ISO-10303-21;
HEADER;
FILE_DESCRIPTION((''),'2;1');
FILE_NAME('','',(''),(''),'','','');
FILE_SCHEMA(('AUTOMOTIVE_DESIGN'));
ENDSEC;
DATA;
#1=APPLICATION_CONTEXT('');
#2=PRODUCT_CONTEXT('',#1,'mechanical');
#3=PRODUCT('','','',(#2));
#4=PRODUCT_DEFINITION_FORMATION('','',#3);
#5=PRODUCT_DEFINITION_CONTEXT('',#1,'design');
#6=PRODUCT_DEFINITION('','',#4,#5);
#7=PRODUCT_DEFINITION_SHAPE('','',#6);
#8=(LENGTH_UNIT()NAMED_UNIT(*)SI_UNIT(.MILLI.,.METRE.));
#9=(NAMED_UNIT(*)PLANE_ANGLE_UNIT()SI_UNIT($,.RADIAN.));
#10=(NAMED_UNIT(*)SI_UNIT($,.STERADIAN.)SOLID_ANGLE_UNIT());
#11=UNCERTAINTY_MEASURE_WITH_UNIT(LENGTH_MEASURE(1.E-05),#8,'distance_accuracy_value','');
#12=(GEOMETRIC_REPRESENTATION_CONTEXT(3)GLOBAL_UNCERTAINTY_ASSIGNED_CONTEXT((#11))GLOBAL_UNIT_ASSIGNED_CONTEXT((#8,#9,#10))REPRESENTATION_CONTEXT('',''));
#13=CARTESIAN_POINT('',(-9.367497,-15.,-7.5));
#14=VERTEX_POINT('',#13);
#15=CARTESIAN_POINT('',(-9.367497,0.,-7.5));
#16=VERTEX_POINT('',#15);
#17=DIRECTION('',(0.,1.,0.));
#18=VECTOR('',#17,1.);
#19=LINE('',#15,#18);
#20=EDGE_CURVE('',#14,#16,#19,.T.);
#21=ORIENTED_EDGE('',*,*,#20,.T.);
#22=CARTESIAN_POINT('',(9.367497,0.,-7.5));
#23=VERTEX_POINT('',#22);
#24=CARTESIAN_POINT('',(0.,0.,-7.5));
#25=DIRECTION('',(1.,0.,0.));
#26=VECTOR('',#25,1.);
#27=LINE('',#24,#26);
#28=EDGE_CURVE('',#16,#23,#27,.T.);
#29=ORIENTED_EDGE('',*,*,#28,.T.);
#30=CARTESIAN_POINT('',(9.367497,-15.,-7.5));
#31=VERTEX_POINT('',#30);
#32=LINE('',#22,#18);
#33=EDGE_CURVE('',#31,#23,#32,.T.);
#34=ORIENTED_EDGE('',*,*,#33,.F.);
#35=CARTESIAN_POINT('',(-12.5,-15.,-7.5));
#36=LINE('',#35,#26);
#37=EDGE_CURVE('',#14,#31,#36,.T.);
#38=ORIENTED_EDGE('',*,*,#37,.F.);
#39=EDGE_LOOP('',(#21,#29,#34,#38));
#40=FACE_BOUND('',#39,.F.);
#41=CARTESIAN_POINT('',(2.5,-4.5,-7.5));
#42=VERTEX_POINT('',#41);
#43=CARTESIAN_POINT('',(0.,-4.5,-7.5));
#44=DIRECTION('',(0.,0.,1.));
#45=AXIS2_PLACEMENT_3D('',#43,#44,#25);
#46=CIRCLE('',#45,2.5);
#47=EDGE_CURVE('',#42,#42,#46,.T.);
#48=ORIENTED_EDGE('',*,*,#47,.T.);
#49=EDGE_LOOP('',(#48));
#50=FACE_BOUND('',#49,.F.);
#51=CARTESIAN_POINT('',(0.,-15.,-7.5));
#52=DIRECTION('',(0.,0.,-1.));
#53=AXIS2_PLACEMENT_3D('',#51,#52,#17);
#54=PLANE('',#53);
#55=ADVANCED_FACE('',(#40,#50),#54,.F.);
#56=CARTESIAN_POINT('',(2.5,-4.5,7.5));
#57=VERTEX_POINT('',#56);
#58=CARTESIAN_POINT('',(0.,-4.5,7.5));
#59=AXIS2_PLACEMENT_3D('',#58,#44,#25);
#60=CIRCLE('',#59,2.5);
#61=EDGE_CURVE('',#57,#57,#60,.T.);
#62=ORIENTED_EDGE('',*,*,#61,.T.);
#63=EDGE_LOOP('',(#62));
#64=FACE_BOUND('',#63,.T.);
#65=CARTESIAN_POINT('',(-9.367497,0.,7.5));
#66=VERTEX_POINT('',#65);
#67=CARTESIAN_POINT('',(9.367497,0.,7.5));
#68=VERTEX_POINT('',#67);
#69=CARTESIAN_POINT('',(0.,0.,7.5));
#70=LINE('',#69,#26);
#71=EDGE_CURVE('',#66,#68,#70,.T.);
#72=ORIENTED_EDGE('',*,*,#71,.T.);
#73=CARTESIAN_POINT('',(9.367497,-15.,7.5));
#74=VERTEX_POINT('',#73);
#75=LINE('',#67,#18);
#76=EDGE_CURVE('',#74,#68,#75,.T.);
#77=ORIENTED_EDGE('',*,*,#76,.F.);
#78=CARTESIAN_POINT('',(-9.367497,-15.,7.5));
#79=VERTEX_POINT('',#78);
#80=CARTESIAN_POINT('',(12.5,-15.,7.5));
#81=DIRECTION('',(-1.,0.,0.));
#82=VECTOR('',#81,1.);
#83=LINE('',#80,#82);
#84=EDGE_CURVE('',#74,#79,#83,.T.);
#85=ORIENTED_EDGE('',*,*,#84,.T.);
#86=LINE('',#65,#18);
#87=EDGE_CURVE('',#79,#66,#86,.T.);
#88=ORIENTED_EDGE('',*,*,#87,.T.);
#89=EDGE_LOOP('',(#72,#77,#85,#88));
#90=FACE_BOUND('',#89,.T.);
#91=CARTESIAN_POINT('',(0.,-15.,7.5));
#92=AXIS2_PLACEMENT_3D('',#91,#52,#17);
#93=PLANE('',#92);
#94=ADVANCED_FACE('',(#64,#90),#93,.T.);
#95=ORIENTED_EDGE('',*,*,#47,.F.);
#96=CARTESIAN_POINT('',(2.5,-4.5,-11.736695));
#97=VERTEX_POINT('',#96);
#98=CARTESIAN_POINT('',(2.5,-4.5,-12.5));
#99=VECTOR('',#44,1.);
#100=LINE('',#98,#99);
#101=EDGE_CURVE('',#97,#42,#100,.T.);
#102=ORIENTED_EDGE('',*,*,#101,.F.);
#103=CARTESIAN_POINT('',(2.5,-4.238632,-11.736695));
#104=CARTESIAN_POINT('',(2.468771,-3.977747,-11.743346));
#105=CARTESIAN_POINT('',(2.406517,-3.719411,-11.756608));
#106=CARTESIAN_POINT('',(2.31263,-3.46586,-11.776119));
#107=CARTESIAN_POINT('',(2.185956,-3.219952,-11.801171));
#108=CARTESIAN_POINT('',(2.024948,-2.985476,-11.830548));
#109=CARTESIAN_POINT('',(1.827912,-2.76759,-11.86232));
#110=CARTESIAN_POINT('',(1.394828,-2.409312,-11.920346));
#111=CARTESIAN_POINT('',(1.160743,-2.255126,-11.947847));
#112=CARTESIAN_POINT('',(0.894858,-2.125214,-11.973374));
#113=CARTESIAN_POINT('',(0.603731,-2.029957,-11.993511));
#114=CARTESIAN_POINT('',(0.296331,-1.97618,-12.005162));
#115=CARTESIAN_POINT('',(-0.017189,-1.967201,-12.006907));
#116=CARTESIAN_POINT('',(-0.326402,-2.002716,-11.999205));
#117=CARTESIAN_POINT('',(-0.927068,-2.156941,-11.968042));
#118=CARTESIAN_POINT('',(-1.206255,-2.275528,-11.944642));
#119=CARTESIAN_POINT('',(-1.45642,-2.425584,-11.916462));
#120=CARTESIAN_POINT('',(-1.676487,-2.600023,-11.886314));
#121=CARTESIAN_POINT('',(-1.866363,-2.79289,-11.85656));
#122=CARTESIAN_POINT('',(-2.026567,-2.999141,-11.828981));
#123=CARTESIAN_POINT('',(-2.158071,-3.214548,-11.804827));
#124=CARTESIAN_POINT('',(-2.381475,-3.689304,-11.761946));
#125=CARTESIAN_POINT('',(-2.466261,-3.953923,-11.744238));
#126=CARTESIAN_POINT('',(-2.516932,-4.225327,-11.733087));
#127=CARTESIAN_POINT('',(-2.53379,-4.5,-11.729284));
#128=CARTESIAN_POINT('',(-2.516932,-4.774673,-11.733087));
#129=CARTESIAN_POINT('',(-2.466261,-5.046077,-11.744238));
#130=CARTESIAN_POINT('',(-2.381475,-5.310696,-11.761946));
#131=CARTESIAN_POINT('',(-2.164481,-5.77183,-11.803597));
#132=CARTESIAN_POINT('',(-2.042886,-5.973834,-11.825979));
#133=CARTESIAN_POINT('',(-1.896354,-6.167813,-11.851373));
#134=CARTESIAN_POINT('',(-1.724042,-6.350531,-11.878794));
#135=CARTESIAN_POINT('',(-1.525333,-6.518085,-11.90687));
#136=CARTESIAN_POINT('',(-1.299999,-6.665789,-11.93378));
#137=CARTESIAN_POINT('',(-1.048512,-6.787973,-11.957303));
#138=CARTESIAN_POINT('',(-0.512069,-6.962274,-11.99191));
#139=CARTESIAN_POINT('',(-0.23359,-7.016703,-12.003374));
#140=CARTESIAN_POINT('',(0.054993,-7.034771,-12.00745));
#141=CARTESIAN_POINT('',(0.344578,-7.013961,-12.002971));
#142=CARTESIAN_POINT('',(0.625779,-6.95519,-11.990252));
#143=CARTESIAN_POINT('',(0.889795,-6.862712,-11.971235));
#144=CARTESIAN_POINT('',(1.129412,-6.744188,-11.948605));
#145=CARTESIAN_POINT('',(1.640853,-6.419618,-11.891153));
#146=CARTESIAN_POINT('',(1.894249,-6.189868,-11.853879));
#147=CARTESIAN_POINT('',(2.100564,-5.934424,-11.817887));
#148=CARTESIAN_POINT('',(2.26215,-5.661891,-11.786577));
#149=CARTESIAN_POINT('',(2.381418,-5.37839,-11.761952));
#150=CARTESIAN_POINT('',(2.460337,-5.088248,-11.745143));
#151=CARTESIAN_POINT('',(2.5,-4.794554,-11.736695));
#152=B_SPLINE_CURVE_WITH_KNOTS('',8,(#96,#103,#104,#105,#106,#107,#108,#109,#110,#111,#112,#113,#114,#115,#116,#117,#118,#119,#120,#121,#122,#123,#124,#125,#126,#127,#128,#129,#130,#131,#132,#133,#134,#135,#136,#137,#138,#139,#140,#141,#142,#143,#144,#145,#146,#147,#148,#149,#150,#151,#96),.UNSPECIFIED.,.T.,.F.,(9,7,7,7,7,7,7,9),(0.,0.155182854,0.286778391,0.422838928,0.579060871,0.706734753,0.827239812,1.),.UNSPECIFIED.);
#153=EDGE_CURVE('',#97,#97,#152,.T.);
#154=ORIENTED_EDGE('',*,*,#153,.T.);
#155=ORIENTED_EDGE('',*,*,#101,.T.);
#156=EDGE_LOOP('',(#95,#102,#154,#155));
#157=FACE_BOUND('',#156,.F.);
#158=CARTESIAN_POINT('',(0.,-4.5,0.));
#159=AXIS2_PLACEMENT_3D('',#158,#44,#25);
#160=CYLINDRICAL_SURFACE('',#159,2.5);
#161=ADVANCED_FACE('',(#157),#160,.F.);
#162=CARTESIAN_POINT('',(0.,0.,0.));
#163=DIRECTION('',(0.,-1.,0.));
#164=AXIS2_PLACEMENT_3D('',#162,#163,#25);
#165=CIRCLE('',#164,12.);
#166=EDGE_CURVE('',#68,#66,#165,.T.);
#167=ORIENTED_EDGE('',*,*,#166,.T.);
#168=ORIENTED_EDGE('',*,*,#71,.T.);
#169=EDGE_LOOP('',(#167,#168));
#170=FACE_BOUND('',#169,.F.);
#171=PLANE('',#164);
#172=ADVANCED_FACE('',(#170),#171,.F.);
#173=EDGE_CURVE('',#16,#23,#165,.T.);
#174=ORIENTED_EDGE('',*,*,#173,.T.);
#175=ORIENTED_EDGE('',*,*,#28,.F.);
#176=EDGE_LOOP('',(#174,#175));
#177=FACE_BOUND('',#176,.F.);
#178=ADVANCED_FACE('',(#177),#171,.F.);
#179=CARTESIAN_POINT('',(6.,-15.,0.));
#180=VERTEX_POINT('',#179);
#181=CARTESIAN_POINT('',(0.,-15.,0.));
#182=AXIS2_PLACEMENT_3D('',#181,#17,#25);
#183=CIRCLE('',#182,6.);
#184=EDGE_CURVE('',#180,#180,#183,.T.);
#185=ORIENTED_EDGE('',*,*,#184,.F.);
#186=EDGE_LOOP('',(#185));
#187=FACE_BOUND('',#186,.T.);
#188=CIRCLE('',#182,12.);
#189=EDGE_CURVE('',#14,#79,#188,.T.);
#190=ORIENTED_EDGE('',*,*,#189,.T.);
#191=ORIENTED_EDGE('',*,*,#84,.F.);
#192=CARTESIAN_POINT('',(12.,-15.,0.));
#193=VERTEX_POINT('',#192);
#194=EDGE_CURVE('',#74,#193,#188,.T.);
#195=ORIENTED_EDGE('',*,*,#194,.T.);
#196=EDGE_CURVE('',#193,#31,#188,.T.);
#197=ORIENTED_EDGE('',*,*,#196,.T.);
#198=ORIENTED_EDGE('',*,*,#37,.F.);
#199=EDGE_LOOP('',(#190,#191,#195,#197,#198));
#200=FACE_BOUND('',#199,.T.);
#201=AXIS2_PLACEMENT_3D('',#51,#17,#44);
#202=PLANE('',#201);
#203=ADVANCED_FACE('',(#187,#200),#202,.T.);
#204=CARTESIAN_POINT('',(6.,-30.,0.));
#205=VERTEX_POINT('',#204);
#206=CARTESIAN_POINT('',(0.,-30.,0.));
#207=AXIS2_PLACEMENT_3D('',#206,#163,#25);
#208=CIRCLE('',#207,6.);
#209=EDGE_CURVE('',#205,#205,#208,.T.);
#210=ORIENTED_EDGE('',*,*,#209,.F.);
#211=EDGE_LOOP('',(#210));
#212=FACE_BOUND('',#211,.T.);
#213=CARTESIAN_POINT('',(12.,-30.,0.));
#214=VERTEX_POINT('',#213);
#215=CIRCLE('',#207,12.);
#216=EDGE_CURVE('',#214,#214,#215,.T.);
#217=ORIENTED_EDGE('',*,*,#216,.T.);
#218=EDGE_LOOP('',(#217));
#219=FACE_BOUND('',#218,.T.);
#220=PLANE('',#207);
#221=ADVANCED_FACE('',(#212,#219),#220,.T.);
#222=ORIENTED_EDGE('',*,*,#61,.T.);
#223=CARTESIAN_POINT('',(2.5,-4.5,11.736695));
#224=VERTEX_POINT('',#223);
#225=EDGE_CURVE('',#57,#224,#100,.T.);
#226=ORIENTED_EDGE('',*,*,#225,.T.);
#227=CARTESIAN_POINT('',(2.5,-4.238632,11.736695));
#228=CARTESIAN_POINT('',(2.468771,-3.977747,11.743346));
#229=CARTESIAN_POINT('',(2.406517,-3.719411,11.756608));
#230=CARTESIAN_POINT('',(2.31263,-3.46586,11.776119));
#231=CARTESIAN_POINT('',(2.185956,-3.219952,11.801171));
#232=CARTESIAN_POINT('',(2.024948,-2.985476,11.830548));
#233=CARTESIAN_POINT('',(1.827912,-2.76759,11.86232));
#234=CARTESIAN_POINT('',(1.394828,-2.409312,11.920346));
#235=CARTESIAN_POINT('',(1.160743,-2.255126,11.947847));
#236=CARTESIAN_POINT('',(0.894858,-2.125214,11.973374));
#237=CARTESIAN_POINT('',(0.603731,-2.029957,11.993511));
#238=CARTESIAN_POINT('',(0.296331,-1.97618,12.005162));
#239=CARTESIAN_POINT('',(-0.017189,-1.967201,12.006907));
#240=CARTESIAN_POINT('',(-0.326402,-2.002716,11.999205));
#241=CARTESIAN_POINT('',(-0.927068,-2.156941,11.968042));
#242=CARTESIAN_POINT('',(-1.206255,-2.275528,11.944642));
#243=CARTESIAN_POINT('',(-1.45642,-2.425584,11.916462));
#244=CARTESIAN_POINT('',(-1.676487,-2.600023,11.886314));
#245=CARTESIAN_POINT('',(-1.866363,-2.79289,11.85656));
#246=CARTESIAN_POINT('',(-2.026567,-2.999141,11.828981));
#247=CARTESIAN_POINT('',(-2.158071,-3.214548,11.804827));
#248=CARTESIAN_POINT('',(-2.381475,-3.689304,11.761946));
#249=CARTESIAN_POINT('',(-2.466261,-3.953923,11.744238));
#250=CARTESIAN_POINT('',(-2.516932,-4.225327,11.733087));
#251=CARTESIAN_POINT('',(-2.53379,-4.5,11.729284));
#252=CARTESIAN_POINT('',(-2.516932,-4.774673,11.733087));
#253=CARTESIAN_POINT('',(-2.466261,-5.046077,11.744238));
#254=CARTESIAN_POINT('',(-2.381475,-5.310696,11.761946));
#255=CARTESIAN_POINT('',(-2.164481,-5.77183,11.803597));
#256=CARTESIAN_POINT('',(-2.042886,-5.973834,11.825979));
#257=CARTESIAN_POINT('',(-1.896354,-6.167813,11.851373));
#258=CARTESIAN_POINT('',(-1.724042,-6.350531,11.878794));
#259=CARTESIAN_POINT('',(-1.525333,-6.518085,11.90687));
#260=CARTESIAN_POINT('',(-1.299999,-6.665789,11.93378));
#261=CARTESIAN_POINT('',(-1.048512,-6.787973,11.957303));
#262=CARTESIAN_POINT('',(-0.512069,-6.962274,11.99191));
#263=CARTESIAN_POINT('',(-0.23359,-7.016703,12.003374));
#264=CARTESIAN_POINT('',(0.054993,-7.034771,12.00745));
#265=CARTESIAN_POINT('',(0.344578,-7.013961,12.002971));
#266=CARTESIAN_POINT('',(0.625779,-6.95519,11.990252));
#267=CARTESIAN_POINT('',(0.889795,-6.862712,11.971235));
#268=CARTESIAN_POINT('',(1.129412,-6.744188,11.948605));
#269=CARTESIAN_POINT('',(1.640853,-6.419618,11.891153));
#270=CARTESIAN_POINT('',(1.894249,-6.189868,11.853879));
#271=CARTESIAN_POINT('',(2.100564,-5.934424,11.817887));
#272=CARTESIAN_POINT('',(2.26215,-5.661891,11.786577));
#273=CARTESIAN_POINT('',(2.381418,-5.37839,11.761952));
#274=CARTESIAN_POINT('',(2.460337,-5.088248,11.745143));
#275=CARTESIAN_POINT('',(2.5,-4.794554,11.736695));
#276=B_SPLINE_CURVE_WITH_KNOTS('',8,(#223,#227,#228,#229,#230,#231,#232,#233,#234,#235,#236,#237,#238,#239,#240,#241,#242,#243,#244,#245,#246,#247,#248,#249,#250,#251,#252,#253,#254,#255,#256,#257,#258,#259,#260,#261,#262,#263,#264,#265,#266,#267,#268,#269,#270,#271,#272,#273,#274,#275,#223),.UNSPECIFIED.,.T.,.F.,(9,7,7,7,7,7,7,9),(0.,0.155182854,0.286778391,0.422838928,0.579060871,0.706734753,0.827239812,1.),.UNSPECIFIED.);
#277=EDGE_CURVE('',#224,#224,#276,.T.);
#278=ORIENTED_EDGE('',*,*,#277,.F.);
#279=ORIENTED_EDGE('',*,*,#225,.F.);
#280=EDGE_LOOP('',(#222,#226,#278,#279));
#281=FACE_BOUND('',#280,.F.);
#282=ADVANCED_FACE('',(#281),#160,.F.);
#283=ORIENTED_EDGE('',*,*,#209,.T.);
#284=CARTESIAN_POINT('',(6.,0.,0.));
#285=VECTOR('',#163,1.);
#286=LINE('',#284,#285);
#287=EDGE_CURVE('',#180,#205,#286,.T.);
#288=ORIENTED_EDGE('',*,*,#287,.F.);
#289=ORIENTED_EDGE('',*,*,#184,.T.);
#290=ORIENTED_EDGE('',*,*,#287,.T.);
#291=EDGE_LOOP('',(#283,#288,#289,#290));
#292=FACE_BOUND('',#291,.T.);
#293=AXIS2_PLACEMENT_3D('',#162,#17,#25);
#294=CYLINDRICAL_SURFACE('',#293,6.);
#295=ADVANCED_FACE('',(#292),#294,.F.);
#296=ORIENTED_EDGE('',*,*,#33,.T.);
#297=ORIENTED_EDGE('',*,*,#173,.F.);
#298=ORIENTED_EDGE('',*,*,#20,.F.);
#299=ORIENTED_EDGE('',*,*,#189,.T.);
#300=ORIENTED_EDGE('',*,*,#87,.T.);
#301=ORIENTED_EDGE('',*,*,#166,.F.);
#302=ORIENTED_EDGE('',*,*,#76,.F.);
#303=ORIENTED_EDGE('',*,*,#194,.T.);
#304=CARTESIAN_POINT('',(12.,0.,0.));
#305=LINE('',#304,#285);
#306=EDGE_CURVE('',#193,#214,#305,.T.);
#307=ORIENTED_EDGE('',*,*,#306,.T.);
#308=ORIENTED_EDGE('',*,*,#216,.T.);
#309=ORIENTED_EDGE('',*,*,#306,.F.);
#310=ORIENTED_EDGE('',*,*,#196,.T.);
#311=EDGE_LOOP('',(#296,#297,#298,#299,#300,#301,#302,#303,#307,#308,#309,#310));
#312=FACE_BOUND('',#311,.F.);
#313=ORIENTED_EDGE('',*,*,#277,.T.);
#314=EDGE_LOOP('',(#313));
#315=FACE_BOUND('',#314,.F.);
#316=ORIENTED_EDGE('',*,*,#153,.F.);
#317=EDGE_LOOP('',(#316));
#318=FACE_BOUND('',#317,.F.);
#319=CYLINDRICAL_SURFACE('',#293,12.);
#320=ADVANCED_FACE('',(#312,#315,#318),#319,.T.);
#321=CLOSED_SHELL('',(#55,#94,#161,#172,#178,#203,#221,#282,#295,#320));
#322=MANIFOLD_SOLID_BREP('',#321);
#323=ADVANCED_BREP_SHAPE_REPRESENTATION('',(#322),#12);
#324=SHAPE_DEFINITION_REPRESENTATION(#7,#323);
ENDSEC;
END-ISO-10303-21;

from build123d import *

# Parameters (mm, degrees)
F0_R     = 12
F0_R_2   = 6
F1_DEPTH = 30
F2_W     = 30
F2_H     = 15
F3_DEPTH = 12.5
F4_R     = 2.5
F5_DEPTH = 12.5


with BuildPart() as f1:
    # F0 (on Front) → F1 (new body)
    with BuildSketch(Plane.XZ):
        Circle(F0_R)
        Circle(F0_R_2, mode=Mode.SUBTRACT)
    extrude(amount=F1_DEPTH)

    # F2 (on Right) → F3 (cut, symmetric)
    with BuildSketch(Plane.YZ):
        Rectangle(F2_W, F2_H)
    extrude(amount=F3_DEPTH, both=True, mode=Mode.SUBTRACT)

    # F4 (on Top) → F5 (cut, symmetric)
    with BuildSketch(Plane.XY):
        with Locations((0, -4.5)):
            Circle(F4_R)
    extrude(amount=F5_DEPTH, both=True, mode=Mode.SUBTRACT)


solid = f1.part
